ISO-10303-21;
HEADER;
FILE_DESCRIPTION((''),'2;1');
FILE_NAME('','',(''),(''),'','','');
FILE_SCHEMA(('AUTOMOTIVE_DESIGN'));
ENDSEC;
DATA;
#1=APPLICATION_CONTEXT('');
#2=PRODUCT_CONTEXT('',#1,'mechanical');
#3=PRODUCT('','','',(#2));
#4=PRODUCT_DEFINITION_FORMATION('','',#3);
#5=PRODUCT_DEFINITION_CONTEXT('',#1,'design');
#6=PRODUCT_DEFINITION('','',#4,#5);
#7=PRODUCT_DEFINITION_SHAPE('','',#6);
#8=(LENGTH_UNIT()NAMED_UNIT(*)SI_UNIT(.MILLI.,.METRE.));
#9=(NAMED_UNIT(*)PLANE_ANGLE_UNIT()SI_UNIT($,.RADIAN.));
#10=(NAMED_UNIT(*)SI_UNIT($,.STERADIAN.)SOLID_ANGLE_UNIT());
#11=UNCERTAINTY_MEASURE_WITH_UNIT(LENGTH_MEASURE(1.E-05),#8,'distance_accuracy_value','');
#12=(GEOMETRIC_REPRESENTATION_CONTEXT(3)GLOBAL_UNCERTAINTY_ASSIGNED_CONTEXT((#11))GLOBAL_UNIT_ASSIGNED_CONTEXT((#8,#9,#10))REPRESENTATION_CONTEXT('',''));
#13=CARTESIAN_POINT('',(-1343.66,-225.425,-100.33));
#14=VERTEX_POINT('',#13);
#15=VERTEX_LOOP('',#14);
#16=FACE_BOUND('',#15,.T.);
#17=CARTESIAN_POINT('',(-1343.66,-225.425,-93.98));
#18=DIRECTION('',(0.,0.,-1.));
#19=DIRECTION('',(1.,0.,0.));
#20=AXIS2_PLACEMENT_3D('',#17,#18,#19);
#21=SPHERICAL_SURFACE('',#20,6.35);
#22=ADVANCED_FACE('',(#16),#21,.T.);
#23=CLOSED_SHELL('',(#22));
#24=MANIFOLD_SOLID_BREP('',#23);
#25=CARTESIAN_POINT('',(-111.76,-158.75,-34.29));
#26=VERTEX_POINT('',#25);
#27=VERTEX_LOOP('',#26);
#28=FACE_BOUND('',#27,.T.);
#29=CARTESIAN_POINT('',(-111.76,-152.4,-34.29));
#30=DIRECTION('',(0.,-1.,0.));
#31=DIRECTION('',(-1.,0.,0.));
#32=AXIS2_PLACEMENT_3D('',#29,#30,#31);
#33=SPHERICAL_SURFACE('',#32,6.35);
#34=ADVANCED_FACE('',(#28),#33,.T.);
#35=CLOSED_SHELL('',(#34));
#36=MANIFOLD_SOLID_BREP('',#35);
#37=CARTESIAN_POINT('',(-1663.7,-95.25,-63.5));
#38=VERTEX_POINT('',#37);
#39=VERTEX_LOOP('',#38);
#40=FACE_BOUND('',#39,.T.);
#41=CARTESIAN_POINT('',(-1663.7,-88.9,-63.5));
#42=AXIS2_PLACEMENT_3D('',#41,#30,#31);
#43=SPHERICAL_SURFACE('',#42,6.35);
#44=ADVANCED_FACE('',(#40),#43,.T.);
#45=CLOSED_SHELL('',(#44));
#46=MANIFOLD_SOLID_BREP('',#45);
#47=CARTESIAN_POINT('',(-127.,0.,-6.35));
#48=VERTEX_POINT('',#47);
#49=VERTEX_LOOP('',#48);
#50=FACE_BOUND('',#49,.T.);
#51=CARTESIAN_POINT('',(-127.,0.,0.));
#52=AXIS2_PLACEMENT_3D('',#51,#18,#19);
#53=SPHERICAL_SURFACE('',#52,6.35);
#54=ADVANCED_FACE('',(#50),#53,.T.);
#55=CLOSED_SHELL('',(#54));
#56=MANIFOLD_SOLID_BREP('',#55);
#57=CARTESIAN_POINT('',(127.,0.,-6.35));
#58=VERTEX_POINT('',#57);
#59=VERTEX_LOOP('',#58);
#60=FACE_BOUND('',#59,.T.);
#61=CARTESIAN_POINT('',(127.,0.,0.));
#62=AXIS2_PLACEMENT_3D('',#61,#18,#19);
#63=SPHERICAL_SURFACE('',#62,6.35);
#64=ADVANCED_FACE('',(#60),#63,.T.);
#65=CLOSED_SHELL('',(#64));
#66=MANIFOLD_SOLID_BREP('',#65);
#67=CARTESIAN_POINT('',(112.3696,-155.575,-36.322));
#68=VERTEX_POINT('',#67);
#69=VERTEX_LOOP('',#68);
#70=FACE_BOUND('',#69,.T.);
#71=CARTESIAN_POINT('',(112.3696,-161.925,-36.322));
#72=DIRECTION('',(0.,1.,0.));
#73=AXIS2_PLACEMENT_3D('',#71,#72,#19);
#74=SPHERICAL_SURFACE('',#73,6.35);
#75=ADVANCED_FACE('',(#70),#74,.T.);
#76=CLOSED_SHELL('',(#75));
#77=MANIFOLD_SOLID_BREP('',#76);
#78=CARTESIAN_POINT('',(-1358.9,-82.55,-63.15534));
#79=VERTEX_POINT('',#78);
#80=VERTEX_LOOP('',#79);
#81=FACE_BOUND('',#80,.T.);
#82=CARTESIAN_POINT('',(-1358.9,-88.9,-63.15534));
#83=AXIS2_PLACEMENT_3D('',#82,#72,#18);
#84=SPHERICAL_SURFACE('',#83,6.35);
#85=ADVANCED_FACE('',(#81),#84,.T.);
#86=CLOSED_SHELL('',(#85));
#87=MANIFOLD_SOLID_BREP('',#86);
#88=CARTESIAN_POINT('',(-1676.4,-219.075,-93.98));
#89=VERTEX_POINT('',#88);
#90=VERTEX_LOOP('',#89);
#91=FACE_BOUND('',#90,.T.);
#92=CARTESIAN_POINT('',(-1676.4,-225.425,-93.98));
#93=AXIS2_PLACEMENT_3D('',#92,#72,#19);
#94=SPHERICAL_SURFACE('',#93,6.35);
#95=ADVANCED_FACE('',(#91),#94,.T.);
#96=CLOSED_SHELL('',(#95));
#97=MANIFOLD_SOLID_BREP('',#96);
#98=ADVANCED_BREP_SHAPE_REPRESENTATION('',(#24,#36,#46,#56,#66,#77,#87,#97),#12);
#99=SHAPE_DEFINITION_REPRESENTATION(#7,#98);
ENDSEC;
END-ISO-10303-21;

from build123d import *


with BuildPart() as part:
    # Sketch1 → Revolve1 (revolve)
    with BuildSketch(Plane(origin=(0, 0, 0), x_dir=(1, 0, 0), z_dir=(0, 1, 0))):
        with BuildLine():
            Line((127, 6.35), (127, 0))
            Line((127, 0), (127, -6.35))
            ThreePointArc((127, -6.35), (133.35, 0), (127, 6.35))
        make_face()
    revolve(axis=Axis((127, 0, -6.35), (0, 0, 1)))


with BuildPart() as body_2:
    # Sketch1<3> → Revolve2 (revolve)
    with BuildSketch(Plane(origin=(0, 0, 0), x_dir=(1, 0, 0), z_dir=(0, 1, 0))):
        with BuildLine():
            Line((-127, -6.35), (-127, 0))
            Line((-127, 0), (-127, 6.35))
            ThreePointArc((-127, 6.35), (-133.35, 0), (-127, -6.35))
        make_face()
    revolve(axis=Axis((-127, 0, -6.35), (0, 0, 1)))


with BuildPart() as body_3:
    # Sketch6 → Revolve3 (revolve)
    with BuildSketch(Plane.XY.offset(-34.29)):
        with BuildLine():
            Line((-111.76, -152.4), (-111.76, -158.75))
            ThreePointArc((-111.76, -158.75), (-105.41, -152.4), (-111.76, -146.05))
            Line((-111.76, -146.05), (-111.76, -152.4))
        make_face()
    revolve(axis=Axis((-111.76, -158.75, -34.29), (0, 1, 0)))


with BuildPart() as body_4:
    # Sketch4 → Revolve4 (revolve)
    with BuildSketch(Plane.XY.offset(-36.322)):
        with BuildLine():
            Line((112.3696, -161.925), (112.3696, -155.575))
            ThreePointArc((112.3696, -155.575), (106.0196, -161.925), (112.3696, -168.275))
            Line((112.3696, -168.275), (112.3696, -161.925))
        make_face()
    revolve(axis=Axis((112.3696, -155.575, -36.322), (0, -1, 0)))


with BuildPart() as body_5:
    # Sketch14 → Revolve5 (revolve)
    with BuildSketch(Plane(origin=(0, -225.425, 0), x_dir=(1, 0, 0), z_dir=(0, 1, 0))):
        with BuildLine():
            ThreePointArc((-1343.66, 87.63), (-1337.31, 93.98), (-1343.66, 100.33))
            Line((-1343.66, 100.33), (-1343.66, 93.98))
            Line((-1343.66, 93.98), (-1343.66, 87.63))
        make_face()
    revolve(axis=Axis((-1343.66, -225.425, -100.33), (0, 0, 1)))


with BuildPart() as body_6:
    # Sketch13 → Revolve6 (revolve)
    with BuildSketch(Plane.XY.offset(-93.98)):
        with BuildLine():
            Line((-1676.4, -225.425), (-1676.4, -219.075))
            ThreePointArc((-1676.4, -219.075), (-1682.75, -225.425), (-1676.4, -231.775))
            Line((-1676.4, -231.775), (-1676.4, -225.425))
        make_face()
    revolve(axis=Axis((-1676.4, -219.075, -93.98), (0, -1, 0)))


with BuildPart() as body_7:
    # Sketch10 → Revolve7 (revolve)
    with BuildSketch(Plane(origin=(-1358.9, 0, 0), x_dir=(0, 0, -1), z_dir=(1, 0, 0))):
        with BuildLine():
            ThreePointArc((63.155340242, -95.25), (69.505340242, -88.9), (63.155340242, -82.55))
            Line((63.155340242, -82.55), (63.155340242, -88.9))
            Line((63.155340242, -88.9), (63.155340242, -95.25))
        make_face()
    revolve(axis=Axis((-1358.9, -82.55, -63.155340242), (0, -1, 0)))


with BuildPart() as body_8:
    # Sketch11 → Revolve8 (revolve)
    with BuildSketch(Plane.XY.offset(-63.5)):
        with BuildLine():
            Line((-1663.7, -95.25), (-1663.7, -88.9))
            Line((-1663.7, -88.9), (-1663.7, -82.55))
            ThreePointArc((-1663.7, -82.55), (-1670.05, -88.9), (-1663.7, -95.25))
        make_face()
    revolve(axis=Axis((-1663.7, -95.25, -63.5), (0, 1, 0)))


solid = Compound([part.part, body_2.part, body_3.part, body_4.part, body_5.part, body_6.part, body_7.part, body_8.part])
